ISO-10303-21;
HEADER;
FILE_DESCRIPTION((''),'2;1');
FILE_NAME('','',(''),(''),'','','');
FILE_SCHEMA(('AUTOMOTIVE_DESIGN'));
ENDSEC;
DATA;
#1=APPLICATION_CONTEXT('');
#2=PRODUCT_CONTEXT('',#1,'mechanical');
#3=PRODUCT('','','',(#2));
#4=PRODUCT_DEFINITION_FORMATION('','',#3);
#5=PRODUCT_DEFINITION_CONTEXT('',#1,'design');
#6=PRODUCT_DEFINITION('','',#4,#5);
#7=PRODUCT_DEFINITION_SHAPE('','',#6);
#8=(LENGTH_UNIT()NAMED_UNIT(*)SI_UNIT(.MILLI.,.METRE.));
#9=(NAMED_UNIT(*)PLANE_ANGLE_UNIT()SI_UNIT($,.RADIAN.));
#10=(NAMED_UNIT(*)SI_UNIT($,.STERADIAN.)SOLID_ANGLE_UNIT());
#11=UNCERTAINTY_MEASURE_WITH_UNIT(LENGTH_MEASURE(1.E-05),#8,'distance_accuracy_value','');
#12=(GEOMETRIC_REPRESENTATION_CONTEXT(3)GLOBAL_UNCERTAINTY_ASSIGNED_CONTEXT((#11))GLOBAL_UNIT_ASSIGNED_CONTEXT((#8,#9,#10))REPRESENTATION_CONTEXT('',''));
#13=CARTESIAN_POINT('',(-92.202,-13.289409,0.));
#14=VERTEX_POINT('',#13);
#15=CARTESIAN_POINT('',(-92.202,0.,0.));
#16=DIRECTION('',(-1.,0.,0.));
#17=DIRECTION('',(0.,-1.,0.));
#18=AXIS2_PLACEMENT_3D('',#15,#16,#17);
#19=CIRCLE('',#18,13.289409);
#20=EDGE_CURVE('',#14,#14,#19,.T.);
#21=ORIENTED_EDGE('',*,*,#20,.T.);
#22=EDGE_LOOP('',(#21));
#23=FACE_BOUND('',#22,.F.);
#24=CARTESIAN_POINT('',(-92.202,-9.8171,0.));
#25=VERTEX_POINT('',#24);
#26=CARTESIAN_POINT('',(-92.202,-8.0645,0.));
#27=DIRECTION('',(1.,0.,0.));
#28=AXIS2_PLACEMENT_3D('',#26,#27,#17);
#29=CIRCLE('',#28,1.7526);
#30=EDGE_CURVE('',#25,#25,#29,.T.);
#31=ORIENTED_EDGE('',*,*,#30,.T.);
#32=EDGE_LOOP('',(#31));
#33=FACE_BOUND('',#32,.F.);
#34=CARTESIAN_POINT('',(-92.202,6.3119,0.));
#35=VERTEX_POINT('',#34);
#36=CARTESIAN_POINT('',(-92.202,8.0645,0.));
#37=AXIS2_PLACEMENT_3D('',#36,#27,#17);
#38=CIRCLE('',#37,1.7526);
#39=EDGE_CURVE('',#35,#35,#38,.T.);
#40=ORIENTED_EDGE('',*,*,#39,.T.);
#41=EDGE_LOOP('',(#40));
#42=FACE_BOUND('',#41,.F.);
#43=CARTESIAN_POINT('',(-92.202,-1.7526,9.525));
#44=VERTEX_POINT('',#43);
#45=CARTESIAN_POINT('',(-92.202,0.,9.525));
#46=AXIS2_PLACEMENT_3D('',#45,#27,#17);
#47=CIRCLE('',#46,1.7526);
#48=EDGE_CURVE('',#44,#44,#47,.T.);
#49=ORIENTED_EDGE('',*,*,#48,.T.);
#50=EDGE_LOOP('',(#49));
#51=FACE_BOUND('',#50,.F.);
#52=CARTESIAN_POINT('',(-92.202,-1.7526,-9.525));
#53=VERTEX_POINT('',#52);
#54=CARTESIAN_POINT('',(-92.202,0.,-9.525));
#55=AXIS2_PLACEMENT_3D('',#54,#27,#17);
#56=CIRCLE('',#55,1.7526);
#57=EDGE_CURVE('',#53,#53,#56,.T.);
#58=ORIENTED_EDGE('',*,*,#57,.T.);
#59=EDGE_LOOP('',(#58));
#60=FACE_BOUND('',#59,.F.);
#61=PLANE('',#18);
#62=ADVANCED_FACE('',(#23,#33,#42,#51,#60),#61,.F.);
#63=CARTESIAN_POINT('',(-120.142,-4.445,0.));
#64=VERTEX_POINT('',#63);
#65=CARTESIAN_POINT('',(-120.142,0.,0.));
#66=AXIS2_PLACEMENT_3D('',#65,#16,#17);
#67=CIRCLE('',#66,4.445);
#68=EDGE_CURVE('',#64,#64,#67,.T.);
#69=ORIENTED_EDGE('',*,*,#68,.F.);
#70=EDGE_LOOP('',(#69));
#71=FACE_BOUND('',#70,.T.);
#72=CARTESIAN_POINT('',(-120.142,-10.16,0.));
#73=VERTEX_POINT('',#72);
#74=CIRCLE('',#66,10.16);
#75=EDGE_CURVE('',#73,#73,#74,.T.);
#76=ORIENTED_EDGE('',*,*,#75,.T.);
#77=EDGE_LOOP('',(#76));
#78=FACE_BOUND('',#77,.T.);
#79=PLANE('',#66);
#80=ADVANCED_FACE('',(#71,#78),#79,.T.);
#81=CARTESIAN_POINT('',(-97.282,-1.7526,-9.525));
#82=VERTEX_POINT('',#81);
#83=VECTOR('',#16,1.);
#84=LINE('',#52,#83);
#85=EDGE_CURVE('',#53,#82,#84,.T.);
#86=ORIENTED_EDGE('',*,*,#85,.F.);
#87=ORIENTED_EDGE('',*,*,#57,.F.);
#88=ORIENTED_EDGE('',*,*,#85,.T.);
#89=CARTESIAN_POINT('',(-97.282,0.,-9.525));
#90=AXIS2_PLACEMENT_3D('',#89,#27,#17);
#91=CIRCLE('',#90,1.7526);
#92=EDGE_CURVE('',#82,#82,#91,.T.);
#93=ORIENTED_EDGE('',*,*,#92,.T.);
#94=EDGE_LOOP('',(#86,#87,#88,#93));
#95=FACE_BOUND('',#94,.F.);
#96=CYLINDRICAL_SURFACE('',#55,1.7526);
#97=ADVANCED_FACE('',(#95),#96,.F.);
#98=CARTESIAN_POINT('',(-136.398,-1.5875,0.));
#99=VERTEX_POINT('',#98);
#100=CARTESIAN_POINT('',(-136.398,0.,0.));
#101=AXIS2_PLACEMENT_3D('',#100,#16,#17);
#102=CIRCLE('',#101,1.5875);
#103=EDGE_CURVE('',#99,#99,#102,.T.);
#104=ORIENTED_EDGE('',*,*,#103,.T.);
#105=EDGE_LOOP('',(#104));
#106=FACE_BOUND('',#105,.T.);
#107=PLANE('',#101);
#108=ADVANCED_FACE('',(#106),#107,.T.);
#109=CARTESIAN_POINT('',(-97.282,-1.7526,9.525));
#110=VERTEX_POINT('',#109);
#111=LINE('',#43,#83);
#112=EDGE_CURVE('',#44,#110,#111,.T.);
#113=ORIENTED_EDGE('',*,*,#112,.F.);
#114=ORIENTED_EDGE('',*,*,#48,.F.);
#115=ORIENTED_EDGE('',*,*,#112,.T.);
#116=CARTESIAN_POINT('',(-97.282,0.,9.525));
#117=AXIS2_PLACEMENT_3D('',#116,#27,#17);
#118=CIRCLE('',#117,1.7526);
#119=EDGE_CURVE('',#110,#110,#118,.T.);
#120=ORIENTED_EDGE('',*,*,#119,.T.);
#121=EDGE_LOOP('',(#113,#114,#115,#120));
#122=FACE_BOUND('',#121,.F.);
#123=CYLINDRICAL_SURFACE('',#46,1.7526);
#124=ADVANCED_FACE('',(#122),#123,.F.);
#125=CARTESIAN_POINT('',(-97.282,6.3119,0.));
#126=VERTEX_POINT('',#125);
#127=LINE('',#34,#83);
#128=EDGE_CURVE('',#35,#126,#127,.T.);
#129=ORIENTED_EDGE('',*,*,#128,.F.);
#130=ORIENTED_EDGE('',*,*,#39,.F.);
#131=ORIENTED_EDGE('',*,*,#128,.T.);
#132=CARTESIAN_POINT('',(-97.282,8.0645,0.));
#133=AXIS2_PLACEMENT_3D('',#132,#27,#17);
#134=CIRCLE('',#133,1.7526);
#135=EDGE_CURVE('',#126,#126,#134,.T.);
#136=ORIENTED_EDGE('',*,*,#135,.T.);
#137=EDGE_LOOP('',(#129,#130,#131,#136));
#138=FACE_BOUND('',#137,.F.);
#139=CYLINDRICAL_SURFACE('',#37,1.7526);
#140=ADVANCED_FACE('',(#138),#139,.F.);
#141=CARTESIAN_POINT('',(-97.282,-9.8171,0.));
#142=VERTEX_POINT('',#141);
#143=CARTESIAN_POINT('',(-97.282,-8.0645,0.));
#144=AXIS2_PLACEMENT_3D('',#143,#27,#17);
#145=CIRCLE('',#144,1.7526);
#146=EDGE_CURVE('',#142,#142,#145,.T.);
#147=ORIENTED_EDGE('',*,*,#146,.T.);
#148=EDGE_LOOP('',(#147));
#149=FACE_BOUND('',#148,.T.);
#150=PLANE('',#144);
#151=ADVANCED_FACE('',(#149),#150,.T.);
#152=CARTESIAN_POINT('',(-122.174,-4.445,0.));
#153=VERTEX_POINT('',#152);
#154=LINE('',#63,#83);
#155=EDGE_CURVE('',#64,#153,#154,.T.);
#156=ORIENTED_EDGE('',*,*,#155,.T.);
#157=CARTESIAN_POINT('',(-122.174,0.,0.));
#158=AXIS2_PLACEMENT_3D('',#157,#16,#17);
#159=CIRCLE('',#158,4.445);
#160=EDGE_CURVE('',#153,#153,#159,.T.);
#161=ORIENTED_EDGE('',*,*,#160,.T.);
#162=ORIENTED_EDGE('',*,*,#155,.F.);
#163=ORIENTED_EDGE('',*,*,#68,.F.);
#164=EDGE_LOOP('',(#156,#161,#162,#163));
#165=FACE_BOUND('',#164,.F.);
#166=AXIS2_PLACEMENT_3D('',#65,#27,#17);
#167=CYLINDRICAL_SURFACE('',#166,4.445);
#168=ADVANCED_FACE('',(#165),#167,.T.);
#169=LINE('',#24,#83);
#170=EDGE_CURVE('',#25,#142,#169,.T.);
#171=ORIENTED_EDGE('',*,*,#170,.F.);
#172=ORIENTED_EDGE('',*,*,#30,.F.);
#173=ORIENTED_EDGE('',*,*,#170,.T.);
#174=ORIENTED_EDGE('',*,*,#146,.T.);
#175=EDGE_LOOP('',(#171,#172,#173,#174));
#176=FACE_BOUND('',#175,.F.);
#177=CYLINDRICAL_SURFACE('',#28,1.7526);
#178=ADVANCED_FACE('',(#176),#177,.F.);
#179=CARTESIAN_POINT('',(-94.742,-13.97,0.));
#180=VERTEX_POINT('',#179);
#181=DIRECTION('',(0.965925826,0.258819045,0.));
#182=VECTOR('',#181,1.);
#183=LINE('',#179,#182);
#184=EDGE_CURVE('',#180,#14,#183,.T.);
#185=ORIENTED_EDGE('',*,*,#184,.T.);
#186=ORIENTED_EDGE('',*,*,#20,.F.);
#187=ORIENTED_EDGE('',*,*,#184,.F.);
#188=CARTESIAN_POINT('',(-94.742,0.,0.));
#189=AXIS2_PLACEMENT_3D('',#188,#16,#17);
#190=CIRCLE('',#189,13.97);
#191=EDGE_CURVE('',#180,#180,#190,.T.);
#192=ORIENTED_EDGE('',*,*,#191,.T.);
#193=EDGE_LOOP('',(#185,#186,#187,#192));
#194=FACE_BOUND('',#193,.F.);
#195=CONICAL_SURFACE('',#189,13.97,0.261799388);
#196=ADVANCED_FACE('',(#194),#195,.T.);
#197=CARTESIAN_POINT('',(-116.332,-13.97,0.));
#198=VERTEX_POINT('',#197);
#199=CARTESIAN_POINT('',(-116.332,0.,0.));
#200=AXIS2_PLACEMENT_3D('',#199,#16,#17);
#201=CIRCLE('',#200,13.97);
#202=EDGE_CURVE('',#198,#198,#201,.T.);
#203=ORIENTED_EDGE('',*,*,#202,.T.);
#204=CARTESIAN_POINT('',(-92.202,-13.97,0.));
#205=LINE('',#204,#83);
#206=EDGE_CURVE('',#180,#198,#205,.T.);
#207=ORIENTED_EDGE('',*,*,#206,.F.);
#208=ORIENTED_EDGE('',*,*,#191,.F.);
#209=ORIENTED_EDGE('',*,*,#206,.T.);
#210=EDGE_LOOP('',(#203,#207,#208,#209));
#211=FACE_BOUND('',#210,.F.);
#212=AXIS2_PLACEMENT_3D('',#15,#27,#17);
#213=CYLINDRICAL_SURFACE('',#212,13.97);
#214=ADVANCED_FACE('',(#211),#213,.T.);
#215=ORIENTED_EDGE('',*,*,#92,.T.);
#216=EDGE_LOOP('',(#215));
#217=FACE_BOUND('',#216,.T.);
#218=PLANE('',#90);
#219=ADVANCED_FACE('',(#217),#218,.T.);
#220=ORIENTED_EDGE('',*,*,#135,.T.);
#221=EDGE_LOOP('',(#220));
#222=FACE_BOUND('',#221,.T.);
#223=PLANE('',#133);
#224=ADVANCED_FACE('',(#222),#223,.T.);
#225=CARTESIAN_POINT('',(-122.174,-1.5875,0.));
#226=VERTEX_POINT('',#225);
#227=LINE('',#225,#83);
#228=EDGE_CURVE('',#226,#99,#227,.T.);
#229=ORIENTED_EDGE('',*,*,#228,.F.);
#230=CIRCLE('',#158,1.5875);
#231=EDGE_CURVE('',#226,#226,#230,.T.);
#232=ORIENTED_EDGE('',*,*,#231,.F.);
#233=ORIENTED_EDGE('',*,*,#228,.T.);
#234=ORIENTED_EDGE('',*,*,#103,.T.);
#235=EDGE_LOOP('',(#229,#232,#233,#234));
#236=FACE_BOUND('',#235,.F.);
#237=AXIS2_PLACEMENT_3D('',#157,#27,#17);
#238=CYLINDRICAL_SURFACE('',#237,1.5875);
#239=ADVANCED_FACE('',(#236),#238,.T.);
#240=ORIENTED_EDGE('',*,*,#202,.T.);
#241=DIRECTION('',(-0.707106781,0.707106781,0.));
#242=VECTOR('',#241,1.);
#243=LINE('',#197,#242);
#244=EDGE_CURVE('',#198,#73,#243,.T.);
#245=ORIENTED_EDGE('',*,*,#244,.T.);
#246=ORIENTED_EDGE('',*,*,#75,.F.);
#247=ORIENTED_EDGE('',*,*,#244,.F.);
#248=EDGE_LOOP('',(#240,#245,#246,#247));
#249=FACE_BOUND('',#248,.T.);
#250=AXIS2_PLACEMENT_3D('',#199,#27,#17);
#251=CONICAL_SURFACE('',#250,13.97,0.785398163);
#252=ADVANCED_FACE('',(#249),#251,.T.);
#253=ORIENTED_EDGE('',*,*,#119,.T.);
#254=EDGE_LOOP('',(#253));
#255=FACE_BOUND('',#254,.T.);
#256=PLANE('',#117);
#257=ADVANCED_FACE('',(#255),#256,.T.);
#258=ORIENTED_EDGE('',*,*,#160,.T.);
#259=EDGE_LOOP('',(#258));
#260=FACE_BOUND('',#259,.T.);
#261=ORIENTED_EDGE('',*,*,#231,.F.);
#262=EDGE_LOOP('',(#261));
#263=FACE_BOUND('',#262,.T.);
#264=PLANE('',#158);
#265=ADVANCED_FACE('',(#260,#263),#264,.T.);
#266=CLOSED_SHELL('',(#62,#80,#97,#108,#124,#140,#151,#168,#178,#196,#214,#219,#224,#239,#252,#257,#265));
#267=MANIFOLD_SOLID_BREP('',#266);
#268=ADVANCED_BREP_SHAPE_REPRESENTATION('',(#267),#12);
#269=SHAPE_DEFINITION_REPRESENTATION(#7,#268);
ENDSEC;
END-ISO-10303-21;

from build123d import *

# Parameters (mm, degrees)
SKETCH072_R             = 13.97
PAD035_DEPTH            = 27.94
CHAMFER_ANGLE           = 15
CHAMFER_SIZE            = 2.54
CHAMFER001_SIZE         = 3.81
SKETCH073_R             = 4.445
PAD036_DEPTH            = 2.032
SKETCH074_R             = 1.5875
PAD037_DEPTH            = 14.224
SKETCH099_R             = 1.7526
POCKET026_DEPTH         = 5.08
BODY028_PLACEMENT_ANGLE = 180


with BuildPart() as part:
    # Sketch072 → Pad035 (new body)
    with BuildSketch(Plane.YZ):
        Circle(SKETCH072_R)
    extrude(amount=PAD035_DEPTH)

    # Chamfer
    chamfer_edges = [part.edges().sort_by_distance(p)[0] for p in [
        (0, -13.97, 0),
    ]]
    chamfer_side = part.faces().sort_by_distance((13.97, -13.97, 0))[0]
    chamfer(chamfer_edges, length=CHAMFER_SIZE, angle=CHAMFER_ANGLE, reference=chamfer_side)

    # Chamfer001
    chamfer001_edges = [part.edges().sort_by_distance(p)[0] for p in [
        (27.94, -13.97, 0),
    ]]
    chamfer(chamfer001_edges, length=CHAMFER001_SIZE)

    # Sketch073 (on Face4 of Chamfer001) → Pad036 (join)
    with BuildSketch(Plane.YZ.offset(27.94)):
        Circle(SKETCH073_R)
    extrude(amount=PAD036_DEPTH)

    # Sketch074 (on Face7 of Pad036) → Pad037 (join)
    with BuildSketch(Plane.YZ.offset(29.972)):
        Circle(SKETCH074_R)
    extrude(amount=PAD037_DEPTH)

    # Sketch099 (on Face5 of Pad037) → Pocket026 (cut)
    with BuildSketch(Plane(origin=(0, 0, 0), x_dir=(0, 1, 0), z_dir=(-1, 0, 0))):
        with Locations((0, 9.525)):
            Circle(SKETCH099_R)
        with Locations((8.0645, 0)):
            Circle(SKETCH099_R)
        with Locations((0, -9.525)):
            Circle(SKETCH099_R)
        with Locations((-8.0645, 0)):
            Circle(SKETCH099_R)
    extrude(amount=-POCKET026_DEPTH, mode=Mode.SUBTRACT)


with BuildPart() as part_1:
    # Body028 placement: moved
    add(part.part.moved(Location((-92.202, 0, 0))).rotate(Axis((-92.202, 0, 0), (0, 0, 1)), BODY028_PLACEMENT_ANGLE))


solid = part_1.part
